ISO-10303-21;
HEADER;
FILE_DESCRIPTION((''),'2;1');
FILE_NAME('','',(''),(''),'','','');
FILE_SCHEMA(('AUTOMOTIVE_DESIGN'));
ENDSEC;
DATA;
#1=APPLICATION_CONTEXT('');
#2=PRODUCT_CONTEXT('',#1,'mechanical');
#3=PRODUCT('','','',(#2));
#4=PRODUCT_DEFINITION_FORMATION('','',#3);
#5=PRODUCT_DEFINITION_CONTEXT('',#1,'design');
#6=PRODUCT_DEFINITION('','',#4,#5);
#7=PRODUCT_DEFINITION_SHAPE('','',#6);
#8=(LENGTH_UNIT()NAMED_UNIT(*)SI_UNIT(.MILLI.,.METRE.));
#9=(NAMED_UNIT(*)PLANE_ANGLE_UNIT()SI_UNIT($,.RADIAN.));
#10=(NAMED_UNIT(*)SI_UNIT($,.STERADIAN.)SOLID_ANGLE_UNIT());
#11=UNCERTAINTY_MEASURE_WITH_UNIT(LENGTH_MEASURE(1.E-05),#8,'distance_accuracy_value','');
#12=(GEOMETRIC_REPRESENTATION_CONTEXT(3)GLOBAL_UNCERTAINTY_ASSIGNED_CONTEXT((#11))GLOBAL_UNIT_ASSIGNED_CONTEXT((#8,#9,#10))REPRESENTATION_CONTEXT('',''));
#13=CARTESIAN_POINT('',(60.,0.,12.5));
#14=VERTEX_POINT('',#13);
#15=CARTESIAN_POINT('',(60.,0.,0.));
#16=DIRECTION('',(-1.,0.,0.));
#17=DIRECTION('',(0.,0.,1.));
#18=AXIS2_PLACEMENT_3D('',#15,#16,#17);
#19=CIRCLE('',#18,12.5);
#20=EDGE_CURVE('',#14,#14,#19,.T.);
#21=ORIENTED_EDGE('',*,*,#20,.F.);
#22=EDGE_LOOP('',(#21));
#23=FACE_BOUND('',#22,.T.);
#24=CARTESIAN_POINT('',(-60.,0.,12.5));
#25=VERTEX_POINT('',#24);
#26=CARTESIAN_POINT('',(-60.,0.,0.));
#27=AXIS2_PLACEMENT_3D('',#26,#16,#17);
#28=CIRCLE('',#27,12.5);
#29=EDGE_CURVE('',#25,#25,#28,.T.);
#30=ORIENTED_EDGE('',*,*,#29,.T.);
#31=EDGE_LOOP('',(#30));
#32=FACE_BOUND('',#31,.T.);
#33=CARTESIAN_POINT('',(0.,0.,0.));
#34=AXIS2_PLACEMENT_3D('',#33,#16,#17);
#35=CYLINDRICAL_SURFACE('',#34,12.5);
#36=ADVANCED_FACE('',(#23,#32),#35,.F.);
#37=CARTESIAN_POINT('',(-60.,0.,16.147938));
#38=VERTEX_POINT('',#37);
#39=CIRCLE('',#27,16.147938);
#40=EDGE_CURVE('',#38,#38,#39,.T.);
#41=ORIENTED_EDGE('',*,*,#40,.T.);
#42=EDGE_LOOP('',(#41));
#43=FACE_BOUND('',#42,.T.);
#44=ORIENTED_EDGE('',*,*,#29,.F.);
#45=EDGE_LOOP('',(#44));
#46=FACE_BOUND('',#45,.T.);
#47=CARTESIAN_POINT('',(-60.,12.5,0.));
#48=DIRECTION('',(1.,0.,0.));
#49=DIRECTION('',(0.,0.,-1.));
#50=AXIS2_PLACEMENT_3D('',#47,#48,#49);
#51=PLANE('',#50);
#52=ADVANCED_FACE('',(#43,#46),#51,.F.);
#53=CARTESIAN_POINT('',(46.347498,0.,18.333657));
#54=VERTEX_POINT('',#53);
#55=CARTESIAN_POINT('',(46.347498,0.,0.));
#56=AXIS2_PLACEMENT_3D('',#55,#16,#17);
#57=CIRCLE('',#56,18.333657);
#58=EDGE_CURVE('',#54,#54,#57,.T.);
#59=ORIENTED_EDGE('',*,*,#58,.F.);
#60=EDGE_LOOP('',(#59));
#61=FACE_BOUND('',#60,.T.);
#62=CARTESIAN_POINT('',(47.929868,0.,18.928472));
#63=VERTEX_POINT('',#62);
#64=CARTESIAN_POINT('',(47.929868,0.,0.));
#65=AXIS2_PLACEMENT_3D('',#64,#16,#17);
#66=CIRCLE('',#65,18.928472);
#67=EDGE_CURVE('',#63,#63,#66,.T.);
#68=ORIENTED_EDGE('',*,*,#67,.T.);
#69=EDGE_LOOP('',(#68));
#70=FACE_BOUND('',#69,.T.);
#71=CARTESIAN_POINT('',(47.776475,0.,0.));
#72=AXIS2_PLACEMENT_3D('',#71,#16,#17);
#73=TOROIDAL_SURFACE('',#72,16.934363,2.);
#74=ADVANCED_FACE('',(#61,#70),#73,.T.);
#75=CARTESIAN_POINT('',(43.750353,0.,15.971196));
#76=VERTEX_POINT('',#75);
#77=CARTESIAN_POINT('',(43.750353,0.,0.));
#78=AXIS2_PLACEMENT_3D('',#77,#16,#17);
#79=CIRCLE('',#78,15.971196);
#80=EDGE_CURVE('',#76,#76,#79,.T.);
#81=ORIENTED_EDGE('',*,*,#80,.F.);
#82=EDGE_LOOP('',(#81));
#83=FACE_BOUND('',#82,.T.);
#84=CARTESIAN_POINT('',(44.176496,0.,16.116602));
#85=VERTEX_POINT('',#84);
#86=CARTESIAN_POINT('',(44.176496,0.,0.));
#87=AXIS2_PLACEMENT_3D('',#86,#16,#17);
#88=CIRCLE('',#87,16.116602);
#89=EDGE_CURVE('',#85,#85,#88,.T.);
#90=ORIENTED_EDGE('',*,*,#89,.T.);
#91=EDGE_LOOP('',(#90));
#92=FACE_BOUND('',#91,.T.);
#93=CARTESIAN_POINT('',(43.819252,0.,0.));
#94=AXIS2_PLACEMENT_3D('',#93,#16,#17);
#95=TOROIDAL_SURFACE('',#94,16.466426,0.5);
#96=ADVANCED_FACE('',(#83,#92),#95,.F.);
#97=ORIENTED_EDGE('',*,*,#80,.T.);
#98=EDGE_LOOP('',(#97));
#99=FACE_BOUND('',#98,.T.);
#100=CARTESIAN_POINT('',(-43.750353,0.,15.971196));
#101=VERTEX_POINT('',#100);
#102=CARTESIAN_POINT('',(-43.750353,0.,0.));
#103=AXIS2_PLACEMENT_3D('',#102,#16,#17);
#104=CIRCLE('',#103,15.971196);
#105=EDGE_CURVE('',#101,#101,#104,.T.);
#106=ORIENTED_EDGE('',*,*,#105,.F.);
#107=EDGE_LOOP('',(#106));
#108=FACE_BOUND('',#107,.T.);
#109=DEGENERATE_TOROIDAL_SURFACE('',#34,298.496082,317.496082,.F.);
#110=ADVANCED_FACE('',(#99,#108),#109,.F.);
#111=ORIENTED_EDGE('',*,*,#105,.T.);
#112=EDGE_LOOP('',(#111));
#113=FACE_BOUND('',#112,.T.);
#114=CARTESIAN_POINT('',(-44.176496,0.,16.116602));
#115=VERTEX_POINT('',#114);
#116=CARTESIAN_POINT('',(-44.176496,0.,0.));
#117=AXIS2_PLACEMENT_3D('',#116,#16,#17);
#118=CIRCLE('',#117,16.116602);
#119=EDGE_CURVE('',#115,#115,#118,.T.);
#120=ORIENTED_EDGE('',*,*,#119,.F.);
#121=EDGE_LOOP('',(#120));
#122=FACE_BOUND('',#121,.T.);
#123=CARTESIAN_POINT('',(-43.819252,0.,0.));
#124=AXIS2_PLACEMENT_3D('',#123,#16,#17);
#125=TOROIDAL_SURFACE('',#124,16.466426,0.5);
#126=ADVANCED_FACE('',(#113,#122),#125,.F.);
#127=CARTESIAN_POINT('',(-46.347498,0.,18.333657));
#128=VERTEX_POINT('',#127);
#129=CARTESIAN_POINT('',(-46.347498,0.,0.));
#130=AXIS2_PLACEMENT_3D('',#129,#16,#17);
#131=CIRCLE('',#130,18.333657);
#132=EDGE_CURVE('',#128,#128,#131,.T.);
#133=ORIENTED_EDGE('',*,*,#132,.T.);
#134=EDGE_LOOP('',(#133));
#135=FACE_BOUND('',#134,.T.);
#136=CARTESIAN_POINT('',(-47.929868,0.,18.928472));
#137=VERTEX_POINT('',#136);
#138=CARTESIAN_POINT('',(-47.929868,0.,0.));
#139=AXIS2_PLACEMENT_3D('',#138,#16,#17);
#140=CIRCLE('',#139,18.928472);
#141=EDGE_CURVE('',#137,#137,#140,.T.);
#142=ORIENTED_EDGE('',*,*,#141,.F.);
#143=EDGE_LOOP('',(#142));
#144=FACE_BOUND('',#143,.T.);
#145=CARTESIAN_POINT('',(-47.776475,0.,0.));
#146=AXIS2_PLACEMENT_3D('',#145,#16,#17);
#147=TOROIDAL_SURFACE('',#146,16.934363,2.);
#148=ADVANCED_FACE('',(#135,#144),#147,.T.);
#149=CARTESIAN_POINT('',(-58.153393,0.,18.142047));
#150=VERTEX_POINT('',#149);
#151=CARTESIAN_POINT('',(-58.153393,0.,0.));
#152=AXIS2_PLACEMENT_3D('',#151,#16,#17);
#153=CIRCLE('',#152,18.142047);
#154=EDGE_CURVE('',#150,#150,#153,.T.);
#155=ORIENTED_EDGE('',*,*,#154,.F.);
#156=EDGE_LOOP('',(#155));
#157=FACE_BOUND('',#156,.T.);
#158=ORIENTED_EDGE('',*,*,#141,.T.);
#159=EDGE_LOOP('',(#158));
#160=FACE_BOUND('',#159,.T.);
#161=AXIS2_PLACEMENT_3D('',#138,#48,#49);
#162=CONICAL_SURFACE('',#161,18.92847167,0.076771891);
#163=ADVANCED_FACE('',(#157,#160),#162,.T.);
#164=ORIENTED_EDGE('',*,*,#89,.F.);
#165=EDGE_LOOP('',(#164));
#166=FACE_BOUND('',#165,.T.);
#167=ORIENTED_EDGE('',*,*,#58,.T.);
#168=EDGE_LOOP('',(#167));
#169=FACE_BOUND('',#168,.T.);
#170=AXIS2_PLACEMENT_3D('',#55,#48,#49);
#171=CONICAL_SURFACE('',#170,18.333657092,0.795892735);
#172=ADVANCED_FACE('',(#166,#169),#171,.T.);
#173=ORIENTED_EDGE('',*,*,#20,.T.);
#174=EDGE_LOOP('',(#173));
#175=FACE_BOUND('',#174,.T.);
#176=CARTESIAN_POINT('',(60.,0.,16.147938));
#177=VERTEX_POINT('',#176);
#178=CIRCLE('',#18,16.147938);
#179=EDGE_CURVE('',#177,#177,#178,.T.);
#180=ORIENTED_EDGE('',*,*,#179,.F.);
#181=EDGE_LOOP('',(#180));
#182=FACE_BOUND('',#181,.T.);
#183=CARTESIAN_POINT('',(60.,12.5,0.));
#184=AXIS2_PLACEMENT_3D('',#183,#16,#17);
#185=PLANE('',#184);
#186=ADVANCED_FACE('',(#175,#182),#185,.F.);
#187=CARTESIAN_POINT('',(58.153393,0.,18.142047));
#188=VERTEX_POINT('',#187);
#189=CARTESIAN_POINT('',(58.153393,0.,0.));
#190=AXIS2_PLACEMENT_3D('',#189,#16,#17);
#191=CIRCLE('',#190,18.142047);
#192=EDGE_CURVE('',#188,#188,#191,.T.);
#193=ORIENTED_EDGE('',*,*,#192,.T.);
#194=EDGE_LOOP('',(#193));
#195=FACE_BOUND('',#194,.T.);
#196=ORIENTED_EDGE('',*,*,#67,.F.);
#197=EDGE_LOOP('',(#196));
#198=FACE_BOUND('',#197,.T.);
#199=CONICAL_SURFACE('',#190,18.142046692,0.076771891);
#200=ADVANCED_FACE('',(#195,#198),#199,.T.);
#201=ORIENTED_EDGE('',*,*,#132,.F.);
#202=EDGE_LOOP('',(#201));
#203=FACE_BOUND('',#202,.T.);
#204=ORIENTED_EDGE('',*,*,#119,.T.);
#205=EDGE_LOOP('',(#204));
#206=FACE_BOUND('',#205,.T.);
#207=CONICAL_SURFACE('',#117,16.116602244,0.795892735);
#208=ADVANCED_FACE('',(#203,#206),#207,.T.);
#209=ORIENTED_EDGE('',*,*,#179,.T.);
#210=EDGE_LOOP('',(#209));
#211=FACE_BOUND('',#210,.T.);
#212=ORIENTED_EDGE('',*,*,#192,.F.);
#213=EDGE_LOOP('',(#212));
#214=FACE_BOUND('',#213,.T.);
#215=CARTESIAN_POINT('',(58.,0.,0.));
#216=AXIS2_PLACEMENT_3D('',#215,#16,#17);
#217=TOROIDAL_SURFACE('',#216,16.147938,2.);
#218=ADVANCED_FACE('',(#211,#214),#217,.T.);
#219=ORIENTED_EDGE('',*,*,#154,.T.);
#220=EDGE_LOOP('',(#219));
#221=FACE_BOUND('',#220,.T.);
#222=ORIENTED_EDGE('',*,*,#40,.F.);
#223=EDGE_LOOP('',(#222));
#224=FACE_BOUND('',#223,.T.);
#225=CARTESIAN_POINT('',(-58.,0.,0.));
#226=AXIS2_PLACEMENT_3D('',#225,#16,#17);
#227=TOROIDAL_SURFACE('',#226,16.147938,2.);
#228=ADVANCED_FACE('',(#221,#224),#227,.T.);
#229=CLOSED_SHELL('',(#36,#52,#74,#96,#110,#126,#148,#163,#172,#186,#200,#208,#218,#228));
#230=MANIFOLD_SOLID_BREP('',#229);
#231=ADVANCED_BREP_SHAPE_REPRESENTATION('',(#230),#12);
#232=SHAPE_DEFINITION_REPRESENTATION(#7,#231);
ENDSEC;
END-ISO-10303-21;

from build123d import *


with BuildPart() as part:
    # Esquisse1 → Révolution1 (revolve)
    with BuildSketch(Plane.XY, mode=Mode.PRIVATE) as r_volution1_sk:
        with BuildLine():
            Line((-60, 12.5), (60, 12.5))
            Line((60, 12.5), (60, 16.147937721))
            ThreePointArc((60, 16.147937721), (59.467444376, 17.506836909), (58.153392998, 18.142046692))
            Line((58.153392998, 18.142046692), (47.929868284, 18.92847167))
            ThreePointArc((47.929868284, 18.92847167), (47.072749688, 18.80646587), (46.347498309, 18.333657092))
            Line((46.347498309, 18.333657092), (44.176495931, 16.116602244))
            ThreePointArc((44.176495931, 16.116602244), (43.980718422, 15.993215008), (43.750352643, 15.971195672))
            ThreePointArc((43.750352643, 15.971195672), (0, 19), (-43.750352643, 15.971195672))
            ThreePointArc((-43.750352643, 15.971195672), (-43.980718422, 15.993215008), (-44.176495931, 16.116602244))
            Line((-44.176495931, 16.116602244), (-46.347498309, 18.333657092))
            ThreePointArc((-46.347498309, 18.333657092), (-47.072749688, 18.80646587), (-47.929868284, 18.92847167))
            Line((-47.929868284, 18.92847167), (-58.153392998, 18.142046692))
            ThreePointArc((-58.153392998, 18.142046692), (-59.467444376, 17.506836909), (-60, 16.147937721))
            Line((-60, 16.147937721), (-60, 12.5))
        make_face()
    revolve(r_volution1_sk.sketch.rotate(Axis((0, 0, 0), (1, 0, 0)), 90), axis=Axis((0, 0, 0), (1, 0, 0)))


solid = part.part
